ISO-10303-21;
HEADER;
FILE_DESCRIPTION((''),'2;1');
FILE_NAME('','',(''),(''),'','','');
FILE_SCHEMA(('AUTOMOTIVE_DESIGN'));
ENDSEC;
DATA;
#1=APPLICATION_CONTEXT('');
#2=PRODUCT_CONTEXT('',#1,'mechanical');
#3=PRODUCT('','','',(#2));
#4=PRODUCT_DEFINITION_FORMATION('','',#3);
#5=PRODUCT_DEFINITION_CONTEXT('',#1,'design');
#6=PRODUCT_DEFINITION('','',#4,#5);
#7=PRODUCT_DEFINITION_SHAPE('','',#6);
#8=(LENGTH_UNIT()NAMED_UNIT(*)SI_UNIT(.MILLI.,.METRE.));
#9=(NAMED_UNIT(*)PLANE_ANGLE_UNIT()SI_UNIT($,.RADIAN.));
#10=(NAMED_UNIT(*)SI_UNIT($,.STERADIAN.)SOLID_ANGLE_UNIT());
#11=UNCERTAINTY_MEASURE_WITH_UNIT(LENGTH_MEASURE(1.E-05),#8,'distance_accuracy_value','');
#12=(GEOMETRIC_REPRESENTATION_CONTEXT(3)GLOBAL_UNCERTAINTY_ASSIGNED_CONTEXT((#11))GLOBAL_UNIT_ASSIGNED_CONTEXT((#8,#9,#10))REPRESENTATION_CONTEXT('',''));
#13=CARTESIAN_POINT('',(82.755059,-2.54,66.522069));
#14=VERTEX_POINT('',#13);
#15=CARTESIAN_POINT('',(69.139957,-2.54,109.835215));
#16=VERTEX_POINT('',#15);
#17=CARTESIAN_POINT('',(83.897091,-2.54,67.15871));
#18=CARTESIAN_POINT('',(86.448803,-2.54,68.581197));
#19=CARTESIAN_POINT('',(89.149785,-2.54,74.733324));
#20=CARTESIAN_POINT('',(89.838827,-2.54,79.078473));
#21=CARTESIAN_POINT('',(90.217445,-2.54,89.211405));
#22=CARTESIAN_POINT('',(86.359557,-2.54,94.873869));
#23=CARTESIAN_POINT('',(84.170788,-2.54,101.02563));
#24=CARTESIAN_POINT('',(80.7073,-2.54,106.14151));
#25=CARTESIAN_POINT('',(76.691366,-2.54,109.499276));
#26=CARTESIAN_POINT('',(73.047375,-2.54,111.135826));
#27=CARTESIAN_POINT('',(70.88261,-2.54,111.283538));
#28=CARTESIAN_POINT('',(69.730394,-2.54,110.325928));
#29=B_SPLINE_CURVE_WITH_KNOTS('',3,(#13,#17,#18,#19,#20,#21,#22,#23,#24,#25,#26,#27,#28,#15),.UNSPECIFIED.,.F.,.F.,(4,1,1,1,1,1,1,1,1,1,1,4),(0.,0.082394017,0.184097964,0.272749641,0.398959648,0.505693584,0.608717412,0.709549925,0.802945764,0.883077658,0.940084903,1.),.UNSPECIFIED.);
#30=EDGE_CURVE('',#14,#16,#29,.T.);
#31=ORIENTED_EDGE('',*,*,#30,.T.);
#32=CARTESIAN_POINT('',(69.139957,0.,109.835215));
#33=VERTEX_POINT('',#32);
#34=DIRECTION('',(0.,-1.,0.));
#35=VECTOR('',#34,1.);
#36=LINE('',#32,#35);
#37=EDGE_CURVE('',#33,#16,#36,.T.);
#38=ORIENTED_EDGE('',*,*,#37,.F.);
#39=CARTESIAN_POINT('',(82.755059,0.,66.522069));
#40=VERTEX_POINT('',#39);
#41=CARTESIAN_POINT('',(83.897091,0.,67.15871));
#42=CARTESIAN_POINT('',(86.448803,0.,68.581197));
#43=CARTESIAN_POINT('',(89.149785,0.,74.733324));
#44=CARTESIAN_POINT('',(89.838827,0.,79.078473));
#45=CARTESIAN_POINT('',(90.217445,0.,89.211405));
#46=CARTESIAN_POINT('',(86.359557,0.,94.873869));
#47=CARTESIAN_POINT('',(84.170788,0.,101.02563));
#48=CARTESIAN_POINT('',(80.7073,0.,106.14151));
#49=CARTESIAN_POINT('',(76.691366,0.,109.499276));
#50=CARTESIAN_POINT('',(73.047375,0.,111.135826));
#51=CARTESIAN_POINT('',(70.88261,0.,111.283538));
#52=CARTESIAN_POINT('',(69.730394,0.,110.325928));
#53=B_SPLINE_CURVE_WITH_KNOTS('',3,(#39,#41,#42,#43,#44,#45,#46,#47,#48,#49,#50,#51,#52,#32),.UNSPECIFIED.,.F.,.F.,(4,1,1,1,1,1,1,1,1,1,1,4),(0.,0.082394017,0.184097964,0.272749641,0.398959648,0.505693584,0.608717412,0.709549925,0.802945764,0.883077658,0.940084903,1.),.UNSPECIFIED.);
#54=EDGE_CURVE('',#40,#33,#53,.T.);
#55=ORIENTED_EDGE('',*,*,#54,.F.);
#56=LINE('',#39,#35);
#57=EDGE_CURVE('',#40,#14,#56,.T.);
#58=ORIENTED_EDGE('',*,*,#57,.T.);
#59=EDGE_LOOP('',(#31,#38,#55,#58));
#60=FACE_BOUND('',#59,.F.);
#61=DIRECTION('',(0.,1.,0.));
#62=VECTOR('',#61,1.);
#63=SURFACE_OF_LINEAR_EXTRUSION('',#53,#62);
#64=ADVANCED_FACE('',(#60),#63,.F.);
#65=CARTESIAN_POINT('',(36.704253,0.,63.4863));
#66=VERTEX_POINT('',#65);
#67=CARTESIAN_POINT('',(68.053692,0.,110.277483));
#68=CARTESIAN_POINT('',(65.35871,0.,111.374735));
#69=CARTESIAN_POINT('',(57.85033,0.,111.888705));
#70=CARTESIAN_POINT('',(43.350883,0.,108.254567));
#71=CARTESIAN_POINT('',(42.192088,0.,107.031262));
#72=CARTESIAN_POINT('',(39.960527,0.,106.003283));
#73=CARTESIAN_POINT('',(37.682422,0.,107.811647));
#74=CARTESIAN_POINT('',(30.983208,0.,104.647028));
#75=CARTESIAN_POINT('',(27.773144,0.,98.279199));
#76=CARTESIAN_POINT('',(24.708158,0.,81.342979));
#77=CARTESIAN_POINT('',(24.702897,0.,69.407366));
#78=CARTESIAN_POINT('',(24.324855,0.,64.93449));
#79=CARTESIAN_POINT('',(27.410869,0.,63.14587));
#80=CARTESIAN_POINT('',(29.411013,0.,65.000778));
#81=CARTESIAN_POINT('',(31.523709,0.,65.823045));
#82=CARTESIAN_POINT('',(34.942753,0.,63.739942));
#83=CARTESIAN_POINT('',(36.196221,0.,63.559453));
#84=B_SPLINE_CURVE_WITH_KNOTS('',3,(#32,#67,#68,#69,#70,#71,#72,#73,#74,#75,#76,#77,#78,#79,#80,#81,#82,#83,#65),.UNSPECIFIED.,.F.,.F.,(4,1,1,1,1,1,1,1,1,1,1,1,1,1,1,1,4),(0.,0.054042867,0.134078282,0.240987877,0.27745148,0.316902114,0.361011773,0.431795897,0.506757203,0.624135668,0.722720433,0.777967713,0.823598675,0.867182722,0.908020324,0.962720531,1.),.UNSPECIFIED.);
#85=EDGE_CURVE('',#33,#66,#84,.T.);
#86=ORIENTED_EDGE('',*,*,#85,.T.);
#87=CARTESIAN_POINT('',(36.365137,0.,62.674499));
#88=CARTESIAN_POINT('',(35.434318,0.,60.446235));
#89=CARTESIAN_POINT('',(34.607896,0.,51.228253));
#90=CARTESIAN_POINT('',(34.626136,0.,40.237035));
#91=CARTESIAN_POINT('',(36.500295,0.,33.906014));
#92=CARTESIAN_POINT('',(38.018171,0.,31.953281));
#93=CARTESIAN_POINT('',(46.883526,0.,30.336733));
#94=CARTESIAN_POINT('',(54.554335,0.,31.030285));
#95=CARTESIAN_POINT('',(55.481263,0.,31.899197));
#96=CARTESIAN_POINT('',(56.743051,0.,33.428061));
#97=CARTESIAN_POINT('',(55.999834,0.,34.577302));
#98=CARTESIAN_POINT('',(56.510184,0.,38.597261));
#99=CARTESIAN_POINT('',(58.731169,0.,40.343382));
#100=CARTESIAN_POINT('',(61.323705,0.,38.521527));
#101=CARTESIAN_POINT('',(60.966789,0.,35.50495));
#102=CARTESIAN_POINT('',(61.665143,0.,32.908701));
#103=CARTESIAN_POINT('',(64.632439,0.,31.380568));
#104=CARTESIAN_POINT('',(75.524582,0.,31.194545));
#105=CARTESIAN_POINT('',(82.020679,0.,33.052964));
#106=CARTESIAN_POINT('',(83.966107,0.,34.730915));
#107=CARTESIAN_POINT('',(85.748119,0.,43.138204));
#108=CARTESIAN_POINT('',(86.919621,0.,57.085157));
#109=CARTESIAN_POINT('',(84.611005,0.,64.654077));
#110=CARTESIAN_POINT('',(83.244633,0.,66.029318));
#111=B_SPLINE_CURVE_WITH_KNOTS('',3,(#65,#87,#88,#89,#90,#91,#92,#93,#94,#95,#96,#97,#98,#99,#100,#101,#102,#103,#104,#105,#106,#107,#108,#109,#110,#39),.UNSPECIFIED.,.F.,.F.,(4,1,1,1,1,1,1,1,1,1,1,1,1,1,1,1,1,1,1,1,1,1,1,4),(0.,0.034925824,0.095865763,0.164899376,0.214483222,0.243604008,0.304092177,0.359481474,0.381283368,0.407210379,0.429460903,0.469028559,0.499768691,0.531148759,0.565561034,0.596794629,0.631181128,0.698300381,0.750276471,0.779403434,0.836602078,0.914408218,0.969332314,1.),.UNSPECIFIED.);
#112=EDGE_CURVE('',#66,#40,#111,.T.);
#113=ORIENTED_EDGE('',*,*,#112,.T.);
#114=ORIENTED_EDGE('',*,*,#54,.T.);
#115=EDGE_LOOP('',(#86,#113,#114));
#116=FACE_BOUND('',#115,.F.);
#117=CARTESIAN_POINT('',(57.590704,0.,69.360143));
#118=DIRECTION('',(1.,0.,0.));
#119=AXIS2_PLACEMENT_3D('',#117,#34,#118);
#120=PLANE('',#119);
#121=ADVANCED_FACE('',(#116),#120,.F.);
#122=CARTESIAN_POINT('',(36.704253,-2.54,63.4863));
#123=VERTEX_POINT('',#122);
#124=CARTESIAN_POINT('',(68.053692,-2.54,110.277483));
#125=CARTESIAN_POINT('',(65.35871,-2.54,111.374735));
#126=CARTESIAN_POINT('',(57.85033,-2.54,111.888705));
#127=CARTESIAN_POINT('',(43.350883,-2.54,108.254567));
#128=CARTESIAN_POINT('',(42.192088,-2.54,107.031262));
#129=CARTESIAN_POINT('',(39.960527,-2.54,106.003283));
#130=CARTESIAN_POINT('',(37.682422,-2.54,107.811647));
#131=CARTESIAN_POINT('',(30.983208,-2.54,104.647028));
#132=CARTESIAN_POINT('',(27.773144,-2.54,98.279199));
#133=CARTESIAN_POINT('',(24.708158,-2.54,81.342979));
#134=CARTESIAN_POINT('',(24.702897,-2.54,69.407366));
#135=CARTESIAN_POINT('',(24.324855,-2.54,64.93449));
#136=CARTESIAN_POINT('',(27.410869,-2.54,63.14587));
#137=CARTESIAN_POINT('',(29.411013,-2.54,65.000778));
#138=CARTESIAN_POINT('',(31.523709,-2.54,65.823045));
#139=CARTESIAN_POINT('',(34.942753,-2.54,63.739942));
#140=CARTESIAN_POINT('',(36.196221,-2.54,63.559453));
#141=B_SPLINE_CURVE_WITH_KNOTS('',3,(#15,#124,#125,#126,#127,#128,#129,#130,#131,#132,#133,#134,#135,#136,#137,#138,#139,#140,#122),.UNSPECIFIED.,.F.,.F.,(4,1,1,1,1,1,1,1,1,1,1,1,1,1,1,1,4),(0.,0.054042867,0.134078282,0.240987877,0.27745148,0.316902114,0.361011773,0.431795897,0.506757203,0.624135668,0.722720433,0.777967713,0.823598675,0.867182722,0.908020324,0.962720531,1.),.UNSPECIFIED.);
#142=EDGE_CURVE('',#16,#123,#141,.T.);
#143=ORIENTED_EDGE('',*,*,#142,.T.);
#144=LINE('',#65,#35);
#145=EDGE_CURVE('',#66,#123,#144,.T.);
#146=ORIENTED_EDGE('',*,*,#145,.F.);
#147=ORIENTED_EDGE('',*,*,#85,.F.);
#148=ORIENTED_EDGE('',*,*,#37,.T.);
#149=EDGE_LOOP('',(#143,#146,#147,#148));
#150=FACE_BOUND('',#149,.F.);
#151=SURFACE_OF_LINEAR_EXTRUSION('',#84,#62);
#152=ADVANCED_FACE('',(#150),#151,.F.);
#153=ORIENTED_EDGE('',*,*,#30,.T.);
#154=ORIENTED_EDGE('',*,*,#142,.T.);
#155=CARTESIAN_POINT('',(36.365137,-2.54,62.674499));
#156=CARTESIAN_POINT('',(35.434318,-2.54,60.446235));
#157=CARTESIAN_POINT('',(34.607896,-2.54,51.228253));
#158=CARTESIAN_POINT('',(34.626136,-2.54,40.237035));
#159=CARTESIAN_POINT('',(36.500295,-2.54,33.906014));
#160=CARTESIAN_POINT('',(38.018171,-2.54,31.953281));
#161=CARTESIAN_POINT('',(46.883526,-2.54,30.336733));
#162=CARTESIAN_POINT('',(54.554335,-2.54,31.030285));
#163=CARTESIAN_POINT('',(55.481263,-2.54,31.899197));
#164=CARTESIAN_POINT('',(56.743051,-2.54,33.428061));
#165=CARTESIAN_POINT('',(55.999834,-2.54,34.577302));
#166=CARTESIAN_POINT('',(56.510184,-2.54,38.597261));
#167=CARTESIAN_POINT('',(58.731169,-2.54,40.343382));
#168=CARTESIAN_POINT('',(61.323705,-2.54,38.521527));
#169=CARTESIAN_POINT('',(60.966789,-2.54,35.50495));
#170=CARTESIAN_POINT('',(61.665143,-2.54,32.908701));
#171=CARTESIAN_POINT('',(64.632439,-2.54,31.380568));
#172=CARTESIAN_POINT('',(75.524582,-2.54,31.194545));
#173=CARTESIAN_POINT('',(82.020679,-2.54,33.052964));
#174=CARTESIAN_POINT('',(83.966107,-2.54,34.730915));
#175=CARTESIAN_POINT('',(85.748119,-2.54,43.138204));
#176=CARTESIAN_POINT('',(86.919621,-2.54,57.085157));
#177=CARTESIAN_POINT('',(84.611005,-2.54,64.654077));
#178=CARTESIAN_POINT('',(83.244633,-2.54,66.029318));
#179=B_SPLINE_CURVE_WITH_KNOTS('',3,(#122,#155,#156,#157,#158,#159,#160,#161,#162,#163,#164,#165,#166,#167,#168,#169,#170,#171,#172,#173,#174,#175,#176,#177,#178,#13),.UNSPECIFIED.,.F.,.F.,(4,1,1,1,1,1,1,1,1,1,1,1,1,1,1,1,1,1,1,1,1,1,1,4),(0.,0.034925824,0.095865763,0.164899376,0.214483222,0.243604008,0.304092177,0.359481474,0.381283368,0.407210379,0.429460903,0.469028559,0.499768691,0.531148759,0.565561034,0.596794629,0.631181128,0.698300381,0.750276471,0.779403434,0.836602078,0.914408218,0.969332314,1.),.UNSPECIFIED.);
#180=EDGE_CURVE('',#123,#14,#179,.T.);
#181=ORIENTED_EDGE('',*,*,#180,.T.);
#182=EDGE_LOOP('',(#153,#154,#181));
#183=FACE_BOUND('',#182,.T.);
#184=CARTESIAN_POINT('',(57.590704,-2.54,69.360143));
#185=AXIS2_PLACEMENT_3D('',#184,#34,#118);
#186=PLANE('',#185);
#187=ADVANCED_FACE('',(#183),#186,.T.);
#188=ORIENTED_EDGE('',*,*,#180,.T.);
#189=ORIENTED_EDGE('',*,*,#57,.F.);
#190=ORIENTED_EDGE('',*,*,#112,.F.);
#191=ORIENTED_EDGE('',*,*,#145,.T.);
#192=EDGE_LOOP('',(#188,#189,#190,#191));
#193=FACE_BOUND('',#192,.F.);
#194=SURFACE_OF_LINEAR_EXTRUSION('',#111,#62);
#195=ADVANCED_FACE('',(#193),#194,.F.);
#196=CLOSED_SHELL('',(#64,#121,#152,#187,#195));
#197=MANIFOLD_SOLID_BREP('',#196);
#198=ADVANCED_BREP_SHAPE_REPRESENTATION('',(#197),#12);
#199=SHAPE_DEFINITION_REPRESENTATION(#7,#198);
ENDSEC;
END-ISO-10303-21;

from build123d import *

# Parameters (mm, degrees)
F1_DEPTH = 2.54


with BuildPart() as f1:
    # F0 (on Front) → F1 (new body)
    with BuildSketch(Plane.XZ):
        with BuildLine():
            add(Edge.make_bspline(
                [(82.7550590038, 66.5220692754), (83.8970911688, 67.1587104318), (86.4488031248, 68.5811965055), (89.1497846141, 74.7333244788), (89.8388274009, 79.0784731048), (90.2174445045, 89.2114046795), (86.3595565419, 94.873868993), (84.1707875877, 101.0256297129), (80.7073003576, 106.141510327), (76.6913658887, 109.4992758969), (73.0473751137, 111.1358258711), (70.8826103504, 111.2835384377), (69.7303935937, 110.3259279962), (69.139957428, 109.8352149129)],
                knots=[0, 0, 0, 0, 0.0823940165, 0.1840979644, 0.2727496411, 0.3989596479, 0.505693584, 0.6087174115, 0.7095499248, 0.8029457635, 0.8830776585, 0.9400849028, 1, 1, 1, 1], degree=3))
            add(Edge.make_bspline(
                [(69.139957428, 109.8352149129), (68.0536922039, 110.2774834074), (65.3587097951, 111.3747346002), (57.8503299543, 111.888705047), (43.3508828961, 108.2545665347), (42.192088059, 107.0312622737), (39.96052723, 106.0032828068), (37.6824221948, 107.8116474434), (30.9832084225, 104.647028173), (27.7731439322, 98.2791986186), (24.7081579924, 81.3429786079), (24.7028973452, 69.4073659047), (24.3248549766, 64.934490364), (27.4108691548, 63.1458703659), (29.4110128566, 65.0007780063), (31.5237092883, 65.823045457), (34.9427526287, 63.7399417886), (36.1962211642, 63.5594528027), (36.7042534053, 63.4863004088)],
                knots=[0, 0, 0, 0, 0.0540428665, 0.1340782816, 0.2409878774, 0.2774514796, 0.3169021138, 0.3610117727, 0.4317958974, 0.5067572027, 0.6241356676, 0.7227204333, 0.777967713, 0.823598675, 0.8671827225, 0.9080203239, 0.9627205313, 1, 1, 1, 1], degree=3))
            add(Edge.make_bspline(
                [(36.7042534053, 63.4863004088), (36.3651372944, 62.6744989664), (35.4343181825, 60.4462347428), (34.6078961193, 51.2282534241), (34.6261362637, 40.2370352023), (36.500294664, 33.9060137629), (38.0181710953, 31.953280776), (46.8835255727, 30.3367333621), (54.5543349783, 31.030284668), (55.4812634214, 31.899197468), (56.7430507639, 33.4280605279), (55.9998337403, 34.5773019503), (56.5101839208, 38.5972607018), (58.7311689193, 40.3433816601), (61.3237051685, 38.5215274892), (60.966788637, 35.5049500438), (61.6651431227, 32.9087006073), (64.6324386054, 31.3805682741), (75.5245817403, 31.1945446473), (82.0206791094, 33.0529643349), (83.9661065628, 34.7309152601), (85.7481185874, 43.1382036942), (86.9196205429, 57.0851565729), (84.6110046342, 64.6540769612), (83.244632533, 66.0293179928), (82.7550590038, 66.5220692754)],
                knots=[0, 0, 0, 0, 0.0349258243, 0.0958657631, 0.1648993761, 0.2144832222, 0.2436040082, 0.3040921774, 0.3594814738, 0.3812833681, 0.4072103795, 0.4294609034, 0.4690285586, 0.4997686905, 0.5311487586, 0.5655610338, 0.5967946292, 0.6311811279, 0.6983003806, 0.7502764707, 0.7794034343, 0.8366020784, 0.9144082182, 0.9693323139, 1, 1, 1, 1], degree=3))
        make_face()
    extrude(amount=F1_DEPTH)


solid = f1.part
